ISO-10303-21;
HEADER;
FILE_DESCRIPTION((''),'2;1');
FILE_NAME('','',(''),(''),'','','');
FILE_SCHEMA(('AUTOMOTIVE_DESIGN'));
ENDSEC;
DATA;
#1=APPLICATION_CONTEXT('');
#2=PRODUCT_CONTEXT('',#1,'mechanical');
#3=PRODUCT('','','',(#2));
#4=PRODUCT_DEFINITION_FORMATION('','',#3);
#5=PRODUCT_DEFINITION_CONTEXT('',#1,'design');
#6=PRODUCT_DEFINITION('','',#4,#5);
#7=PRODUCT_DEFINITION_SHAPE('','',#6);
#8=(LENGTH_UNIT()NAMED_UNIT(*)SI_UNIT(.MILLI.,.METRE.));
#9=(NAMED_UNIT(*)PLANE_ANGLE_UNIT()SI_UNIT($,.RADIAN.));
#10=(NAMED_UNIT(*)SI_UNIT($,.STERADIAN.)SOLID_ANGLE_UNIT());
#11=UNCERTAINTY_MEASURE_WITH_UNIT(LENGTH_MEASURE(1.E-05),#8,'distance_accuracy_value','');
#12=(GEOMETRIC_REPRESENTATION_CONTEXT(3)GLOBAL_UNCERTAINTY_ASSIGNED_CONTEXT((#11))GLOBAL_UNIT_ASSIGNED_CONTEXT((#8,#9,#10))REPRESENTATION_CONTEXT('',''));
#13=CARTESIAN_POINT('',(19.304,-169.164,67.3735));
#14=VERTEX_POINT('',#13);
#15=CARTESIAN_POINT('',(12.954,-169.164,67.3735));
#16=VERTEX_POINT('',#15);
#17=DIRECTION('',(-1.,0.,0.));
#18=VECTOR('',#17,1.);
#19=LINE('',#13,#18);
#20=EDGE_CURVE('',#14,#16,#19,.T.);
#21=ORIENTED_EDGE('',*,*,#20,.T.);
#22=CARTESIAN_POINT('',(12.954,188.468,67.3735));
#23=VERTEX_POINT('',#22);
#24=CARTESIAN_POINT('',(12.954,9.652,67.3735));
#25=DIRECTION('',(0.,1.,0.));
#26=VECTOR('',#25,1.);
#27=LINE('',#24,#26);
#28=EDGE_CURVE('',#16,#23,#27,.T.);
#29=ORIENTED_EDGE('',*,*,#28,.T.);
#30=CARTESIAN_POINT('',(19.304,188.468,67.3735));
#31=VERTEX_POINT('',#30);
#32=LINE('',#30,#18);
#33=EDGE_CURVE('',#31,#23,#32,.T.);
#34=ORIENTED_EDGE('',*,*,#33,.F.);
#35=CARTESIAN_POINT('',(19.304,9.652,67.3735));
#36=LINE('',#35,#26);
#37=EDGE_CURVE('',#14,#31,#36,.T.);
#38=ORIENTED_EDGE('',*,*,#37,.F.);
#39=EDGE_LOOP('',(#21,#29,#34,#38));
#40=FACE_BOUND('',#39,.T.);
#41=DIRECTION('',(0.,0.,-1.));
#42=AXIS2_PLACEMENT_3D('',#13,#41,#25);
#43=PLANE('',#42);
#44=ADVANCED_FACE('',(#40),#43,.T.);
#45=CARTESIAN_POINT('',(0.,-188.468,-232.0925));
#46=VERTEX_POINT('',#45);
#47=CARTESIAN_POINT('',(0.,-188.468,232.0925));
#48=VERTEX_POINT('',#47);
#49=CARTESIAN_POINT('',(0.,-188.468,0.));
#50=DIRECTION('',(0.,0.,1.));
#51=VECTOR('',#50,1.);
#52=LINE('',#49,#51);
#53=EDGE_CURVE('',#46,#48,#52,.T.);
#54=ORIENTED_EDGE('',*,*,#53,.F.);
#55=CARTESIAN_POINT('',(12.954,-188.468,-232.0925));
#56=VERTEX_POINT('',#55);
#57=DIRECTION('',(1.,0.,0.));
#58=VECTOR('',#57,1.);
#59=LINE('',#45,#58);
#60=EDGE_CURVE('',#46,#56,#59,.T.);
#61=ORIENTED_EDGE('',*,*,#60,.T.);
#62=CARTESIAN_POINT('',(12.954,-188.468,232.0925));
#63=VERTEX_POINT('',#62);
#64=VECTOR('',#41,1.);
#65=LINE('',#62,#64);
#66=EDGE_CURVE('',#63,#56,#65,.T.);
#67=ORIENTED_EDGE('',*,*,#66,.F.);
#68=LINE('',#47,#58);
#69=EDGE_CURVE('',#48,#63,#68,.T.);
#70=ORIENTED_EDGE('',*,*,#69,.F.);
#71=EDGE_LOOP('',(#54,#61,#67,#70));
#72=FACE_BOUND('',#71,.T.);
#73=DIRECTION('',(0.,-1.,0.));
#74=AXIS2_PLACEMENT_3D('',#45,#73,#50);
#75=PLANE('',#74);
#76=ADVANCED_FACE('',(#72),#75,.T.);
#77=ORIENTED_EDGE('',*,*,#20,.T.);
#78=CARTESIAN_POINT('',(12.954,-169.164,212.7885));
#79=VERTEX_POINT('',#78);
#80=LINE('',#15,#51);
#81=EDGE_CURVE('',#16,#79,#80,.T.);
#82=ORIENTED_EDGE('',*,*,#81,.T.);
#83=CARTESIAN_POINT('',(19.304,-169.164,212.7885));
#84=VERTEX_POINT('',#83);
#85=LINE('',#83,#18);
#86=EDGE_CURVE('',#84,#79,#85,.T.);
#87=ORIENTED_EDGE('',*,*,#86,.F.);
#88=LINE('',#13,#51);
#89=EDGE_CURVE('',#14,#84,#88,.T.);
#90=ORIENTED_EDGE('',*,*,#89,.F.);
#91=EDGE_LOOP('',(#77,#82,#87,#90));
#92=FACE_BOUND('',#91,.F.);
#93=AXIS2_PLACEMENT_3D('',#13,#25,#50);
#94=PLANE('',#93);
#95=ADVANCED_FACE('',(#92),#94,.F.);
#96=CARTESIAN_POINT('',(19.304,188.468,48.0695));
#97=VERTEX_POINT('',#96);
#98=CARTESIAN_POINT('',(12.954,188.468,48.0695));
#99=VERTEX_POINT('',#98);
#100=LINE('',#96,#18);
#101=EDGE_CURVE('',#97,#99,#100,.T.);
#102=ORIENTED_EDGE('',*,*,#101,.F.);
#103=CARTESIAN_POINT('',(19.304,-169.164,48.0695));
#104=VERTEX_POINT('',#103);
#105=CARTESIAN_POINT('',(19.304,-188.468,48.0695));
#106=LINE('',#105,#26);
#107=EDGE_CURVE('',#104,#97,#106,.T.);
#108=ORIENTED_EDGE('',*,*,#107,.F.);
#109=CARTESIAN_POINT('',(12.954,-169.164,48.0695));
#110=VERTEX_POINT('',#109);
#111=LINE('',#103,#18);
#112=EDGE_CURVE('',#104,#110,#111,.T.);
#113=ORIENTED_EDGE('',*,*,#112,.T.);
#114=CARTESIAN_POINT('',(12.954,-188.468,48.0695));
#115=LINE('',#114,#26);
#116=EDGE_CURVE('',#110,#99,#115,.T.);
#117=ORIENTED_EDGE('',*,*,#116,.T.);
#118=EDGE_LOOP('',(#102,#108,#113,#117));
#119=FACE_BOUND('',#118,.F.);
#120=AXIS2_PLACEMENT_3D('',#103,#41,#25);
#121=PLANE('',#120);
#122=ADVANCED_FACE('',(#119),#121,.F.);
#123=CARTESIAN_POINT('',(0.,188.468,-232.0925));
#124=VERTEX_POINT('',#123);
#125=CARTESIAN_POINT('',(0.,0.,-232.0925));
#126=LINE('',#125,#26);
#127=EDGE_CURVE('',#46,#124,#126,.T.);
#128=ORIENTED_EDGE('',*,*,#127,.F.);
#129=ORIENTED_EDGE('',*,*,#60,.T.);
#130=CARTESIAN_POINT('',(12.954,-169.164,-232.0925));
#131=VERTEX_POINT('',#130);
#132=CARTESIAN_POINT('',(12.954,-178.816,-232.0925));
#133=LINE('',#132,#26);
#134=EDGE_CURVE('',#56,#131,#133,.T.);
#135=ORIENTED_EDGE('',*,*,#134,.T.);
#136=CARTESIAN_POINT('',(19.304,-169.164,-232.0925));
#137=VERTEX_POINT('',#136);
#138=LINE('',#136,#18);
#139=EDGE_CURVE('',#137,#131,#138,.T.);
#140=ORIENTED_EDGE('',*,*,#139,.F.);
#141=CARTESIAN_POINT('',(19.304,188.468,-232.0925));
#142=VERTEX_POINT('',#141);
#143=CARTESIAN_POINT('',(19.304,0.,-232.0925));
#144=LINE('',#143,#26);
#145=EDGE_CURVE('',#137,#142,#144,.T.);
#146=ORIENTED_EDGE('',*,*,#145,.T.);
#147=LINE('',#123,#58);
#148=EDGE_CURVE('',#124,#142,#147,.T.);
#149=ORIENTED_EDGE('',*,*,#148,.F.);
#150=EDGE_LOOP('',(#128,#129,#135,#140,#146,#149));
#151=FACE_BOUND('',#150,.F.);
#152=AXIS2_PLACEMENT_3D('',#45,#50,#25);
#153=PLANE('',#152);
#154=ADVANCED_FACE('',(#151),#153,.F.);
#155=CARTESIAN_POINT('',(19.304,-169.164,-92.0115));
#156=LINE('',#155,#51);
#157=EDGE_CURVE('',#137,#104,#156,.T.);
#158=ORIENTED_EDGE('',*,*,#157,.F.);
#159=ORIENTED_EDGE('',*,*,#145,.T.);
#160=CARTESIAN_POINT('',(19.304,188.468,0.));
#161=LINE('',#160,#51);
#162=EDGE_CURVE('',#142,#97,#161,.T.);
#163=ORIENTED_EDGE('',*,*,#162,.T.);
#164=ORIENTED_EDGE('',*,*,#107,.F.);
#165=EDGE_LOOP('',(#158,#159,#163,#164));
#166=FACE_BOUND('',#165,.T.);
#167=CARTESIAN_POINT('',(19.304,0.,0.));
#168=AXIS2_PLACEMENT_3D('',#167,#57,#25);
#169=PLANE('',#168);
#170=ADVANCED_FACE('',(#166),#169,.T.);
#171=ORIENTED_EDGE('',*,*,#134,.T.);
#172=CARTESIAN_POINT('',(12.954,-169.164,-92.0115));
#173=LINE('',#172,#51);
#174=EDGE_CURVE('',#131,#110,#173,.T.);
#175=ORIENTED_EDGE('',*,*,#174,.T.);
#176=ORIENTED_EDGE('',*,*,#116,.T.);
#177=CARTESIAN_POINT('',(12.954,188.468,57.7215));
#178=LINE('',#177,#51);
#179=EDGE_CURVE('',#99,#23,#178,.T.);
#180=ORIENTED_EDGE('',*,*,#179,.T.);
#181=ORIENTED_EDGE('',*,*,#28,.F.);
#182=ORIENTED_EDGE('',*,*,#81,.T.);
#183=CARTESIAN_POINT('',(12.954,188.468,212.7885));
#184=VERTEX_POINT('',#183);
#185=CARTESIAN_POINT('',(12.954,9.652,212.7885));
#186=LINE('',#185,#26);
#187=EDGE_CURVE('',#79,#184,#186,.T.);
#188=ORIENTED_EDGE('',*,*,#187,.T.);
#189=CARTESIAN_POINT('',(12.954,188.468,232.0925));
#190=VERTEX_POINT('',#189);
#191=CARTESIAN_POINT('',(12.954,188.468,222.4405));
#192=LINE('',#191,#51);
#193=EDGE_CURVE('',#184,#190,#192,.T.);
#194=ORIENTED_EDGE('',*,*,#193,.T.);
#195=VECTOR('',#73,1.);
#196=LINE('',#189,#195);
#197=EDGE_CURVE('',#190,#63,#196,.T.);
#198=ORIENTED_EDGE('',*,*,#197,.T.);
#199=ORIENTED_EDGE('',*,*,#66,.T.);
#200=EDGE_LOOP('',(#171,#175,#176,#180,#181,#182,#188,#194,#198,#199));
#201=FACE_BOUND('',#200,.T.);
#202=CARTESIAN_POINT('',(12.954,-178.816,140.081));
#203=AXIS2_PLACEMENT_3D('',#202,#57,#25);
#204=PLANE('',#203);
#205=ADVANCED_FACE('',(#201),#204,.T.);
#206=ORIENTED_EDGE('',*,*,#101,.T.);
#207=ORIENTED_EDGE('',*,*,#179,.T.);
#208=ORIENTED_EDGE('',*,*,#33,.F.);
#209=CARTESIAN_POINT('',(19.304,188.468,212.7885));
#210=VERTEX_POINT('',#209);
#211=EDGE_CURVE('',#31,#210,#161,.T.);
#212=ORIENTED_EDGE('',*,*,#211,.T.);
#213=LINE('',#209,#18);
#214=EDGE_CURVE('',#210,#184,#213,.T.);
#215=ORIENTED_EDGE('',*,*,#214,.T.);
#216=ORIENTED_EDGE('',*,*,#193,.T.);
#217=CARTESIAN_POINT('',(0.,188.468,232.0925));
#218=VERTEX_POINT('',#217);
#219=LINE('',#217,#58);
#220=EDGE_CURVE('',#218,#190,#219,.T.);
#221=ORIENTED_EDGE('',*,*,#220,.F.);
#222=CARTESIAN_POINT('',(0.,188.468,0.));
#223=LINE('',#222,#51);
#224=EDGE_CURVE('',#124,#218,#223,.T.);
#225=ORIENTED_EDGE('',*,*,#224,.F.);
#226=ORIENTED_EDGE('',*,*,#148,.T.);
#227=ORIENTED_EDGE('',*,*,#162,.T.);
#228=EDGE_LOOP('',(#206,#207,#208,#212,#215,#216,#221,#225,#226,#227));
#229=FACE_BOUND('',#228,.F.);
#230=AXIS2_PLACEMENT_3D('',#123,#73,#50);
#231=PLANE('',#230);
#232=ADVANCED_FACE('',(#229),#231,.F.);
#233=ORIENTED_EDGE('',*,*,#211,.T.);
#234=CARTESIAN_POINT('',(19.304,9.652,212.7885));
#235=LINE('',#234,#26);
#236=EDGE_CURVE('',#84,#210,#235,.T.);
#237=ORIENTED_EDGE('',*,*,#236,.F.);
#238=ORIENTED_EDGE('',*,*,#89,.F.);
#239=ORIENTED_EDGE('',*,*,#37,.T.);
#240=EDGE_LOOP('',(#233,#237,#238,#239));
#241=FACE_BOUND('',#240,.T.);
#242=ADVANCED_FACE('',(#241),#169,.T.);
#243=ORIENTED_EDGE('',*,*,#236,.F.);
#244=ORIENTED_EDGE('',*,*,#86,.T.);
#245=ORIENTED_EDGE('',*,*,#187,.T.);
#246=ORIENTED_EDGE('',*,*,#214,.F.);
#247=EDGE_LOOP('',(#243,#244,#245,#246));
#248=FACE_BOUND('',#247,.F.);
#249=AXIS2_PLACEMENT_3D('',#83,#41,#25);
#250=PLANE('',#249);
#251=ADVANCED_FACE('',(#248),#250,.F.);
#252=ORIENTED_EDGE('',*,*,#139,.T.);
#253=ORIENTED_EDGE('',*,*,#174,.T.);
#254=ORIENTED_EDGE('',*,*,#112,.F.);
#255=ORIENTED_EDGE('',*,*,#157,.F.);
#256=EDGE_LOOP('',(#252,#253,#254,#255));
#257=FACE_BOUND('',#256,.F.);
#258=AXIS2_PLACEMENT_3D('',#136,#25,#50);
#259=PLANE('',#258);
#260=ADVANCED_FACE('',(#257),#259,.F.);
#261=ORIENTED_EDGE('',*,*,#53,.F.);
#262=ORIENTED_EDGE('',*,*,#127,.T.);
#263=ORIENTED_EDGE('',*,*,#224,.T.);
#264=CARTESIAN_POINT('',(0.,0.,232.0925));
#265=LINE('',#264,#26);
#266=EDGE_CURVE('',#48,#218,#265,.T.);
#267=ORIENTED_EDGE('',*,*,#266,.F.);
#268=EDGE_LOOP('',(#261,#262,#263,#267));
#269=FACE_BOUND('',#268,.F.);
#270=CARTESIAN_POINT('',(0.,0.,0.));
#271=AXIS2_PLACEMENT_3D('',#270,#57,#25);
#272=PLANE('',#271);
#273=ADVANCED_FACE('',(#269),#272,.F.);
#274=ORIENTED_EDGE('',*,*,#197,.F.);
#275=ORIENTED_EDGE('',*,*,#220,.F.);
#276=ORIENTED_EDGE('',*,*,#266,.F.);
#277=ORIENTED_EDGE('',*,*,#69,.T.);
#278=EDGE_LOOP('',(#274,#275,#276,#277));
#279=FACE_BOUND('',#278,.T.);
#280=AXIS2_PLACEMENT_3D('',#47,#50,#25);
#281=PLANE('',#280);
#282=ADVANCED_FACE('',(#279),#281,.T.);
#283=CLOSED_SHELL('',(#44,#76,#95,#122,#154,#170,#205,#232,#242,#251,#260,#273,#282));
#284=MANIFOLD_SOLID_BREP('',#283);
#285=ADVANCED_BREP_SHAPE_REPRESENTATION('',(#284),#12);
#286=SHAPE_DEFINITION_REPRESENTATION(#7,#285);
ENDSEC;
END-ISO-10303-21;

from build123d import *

# Parameters (mm, degrees)
F0_W     = 376.936
F0_H     = 464.185
F1_DEPTH = 19.304
F2_W     = 19.304
F2_H     = 145.415
F2_H_2   = 19.304
F2_W_2   = 357.632
F2_H_3   = 280.162
F3_DEPTH = 6.35


with BuildPart() as f1:
    # F0 (on Right) → F1 (new body)
    with BuildSketch(Plane.YZ):
        Rectangle(F0_W, F0_H)
    extrude(amount=F1_DEPTH)

    # F2 (on face) → F3 (cut)
    with BuildSketch(Plane.YZ.offset(19.304)):
        with Locations((-178.816, 140.081)):
            Rectangle(F2_W, F2_H)
        with Locations((-178.816, 57.7215)):
            Rectangle(F2_W, F2_H_2)
        with Locations((9.652, 57.7215)):
            Rectangle(F2_W_2, F2_H_2)
        with Locations((-178.816, -92.0115)):
            Rectangle(F2_W, F2_H_3)
        with Locations((-178.816, 222.4405)):
            Rectangle(F2_W, F2_H_2)
        with Locations((9.652, 222.4405)):
            Rectangle(F2_W_2, F2_H_2)
    extrude(amount=-F3_DEPTH, mode=Mode.SUBTRACT)


solid = f1.part
